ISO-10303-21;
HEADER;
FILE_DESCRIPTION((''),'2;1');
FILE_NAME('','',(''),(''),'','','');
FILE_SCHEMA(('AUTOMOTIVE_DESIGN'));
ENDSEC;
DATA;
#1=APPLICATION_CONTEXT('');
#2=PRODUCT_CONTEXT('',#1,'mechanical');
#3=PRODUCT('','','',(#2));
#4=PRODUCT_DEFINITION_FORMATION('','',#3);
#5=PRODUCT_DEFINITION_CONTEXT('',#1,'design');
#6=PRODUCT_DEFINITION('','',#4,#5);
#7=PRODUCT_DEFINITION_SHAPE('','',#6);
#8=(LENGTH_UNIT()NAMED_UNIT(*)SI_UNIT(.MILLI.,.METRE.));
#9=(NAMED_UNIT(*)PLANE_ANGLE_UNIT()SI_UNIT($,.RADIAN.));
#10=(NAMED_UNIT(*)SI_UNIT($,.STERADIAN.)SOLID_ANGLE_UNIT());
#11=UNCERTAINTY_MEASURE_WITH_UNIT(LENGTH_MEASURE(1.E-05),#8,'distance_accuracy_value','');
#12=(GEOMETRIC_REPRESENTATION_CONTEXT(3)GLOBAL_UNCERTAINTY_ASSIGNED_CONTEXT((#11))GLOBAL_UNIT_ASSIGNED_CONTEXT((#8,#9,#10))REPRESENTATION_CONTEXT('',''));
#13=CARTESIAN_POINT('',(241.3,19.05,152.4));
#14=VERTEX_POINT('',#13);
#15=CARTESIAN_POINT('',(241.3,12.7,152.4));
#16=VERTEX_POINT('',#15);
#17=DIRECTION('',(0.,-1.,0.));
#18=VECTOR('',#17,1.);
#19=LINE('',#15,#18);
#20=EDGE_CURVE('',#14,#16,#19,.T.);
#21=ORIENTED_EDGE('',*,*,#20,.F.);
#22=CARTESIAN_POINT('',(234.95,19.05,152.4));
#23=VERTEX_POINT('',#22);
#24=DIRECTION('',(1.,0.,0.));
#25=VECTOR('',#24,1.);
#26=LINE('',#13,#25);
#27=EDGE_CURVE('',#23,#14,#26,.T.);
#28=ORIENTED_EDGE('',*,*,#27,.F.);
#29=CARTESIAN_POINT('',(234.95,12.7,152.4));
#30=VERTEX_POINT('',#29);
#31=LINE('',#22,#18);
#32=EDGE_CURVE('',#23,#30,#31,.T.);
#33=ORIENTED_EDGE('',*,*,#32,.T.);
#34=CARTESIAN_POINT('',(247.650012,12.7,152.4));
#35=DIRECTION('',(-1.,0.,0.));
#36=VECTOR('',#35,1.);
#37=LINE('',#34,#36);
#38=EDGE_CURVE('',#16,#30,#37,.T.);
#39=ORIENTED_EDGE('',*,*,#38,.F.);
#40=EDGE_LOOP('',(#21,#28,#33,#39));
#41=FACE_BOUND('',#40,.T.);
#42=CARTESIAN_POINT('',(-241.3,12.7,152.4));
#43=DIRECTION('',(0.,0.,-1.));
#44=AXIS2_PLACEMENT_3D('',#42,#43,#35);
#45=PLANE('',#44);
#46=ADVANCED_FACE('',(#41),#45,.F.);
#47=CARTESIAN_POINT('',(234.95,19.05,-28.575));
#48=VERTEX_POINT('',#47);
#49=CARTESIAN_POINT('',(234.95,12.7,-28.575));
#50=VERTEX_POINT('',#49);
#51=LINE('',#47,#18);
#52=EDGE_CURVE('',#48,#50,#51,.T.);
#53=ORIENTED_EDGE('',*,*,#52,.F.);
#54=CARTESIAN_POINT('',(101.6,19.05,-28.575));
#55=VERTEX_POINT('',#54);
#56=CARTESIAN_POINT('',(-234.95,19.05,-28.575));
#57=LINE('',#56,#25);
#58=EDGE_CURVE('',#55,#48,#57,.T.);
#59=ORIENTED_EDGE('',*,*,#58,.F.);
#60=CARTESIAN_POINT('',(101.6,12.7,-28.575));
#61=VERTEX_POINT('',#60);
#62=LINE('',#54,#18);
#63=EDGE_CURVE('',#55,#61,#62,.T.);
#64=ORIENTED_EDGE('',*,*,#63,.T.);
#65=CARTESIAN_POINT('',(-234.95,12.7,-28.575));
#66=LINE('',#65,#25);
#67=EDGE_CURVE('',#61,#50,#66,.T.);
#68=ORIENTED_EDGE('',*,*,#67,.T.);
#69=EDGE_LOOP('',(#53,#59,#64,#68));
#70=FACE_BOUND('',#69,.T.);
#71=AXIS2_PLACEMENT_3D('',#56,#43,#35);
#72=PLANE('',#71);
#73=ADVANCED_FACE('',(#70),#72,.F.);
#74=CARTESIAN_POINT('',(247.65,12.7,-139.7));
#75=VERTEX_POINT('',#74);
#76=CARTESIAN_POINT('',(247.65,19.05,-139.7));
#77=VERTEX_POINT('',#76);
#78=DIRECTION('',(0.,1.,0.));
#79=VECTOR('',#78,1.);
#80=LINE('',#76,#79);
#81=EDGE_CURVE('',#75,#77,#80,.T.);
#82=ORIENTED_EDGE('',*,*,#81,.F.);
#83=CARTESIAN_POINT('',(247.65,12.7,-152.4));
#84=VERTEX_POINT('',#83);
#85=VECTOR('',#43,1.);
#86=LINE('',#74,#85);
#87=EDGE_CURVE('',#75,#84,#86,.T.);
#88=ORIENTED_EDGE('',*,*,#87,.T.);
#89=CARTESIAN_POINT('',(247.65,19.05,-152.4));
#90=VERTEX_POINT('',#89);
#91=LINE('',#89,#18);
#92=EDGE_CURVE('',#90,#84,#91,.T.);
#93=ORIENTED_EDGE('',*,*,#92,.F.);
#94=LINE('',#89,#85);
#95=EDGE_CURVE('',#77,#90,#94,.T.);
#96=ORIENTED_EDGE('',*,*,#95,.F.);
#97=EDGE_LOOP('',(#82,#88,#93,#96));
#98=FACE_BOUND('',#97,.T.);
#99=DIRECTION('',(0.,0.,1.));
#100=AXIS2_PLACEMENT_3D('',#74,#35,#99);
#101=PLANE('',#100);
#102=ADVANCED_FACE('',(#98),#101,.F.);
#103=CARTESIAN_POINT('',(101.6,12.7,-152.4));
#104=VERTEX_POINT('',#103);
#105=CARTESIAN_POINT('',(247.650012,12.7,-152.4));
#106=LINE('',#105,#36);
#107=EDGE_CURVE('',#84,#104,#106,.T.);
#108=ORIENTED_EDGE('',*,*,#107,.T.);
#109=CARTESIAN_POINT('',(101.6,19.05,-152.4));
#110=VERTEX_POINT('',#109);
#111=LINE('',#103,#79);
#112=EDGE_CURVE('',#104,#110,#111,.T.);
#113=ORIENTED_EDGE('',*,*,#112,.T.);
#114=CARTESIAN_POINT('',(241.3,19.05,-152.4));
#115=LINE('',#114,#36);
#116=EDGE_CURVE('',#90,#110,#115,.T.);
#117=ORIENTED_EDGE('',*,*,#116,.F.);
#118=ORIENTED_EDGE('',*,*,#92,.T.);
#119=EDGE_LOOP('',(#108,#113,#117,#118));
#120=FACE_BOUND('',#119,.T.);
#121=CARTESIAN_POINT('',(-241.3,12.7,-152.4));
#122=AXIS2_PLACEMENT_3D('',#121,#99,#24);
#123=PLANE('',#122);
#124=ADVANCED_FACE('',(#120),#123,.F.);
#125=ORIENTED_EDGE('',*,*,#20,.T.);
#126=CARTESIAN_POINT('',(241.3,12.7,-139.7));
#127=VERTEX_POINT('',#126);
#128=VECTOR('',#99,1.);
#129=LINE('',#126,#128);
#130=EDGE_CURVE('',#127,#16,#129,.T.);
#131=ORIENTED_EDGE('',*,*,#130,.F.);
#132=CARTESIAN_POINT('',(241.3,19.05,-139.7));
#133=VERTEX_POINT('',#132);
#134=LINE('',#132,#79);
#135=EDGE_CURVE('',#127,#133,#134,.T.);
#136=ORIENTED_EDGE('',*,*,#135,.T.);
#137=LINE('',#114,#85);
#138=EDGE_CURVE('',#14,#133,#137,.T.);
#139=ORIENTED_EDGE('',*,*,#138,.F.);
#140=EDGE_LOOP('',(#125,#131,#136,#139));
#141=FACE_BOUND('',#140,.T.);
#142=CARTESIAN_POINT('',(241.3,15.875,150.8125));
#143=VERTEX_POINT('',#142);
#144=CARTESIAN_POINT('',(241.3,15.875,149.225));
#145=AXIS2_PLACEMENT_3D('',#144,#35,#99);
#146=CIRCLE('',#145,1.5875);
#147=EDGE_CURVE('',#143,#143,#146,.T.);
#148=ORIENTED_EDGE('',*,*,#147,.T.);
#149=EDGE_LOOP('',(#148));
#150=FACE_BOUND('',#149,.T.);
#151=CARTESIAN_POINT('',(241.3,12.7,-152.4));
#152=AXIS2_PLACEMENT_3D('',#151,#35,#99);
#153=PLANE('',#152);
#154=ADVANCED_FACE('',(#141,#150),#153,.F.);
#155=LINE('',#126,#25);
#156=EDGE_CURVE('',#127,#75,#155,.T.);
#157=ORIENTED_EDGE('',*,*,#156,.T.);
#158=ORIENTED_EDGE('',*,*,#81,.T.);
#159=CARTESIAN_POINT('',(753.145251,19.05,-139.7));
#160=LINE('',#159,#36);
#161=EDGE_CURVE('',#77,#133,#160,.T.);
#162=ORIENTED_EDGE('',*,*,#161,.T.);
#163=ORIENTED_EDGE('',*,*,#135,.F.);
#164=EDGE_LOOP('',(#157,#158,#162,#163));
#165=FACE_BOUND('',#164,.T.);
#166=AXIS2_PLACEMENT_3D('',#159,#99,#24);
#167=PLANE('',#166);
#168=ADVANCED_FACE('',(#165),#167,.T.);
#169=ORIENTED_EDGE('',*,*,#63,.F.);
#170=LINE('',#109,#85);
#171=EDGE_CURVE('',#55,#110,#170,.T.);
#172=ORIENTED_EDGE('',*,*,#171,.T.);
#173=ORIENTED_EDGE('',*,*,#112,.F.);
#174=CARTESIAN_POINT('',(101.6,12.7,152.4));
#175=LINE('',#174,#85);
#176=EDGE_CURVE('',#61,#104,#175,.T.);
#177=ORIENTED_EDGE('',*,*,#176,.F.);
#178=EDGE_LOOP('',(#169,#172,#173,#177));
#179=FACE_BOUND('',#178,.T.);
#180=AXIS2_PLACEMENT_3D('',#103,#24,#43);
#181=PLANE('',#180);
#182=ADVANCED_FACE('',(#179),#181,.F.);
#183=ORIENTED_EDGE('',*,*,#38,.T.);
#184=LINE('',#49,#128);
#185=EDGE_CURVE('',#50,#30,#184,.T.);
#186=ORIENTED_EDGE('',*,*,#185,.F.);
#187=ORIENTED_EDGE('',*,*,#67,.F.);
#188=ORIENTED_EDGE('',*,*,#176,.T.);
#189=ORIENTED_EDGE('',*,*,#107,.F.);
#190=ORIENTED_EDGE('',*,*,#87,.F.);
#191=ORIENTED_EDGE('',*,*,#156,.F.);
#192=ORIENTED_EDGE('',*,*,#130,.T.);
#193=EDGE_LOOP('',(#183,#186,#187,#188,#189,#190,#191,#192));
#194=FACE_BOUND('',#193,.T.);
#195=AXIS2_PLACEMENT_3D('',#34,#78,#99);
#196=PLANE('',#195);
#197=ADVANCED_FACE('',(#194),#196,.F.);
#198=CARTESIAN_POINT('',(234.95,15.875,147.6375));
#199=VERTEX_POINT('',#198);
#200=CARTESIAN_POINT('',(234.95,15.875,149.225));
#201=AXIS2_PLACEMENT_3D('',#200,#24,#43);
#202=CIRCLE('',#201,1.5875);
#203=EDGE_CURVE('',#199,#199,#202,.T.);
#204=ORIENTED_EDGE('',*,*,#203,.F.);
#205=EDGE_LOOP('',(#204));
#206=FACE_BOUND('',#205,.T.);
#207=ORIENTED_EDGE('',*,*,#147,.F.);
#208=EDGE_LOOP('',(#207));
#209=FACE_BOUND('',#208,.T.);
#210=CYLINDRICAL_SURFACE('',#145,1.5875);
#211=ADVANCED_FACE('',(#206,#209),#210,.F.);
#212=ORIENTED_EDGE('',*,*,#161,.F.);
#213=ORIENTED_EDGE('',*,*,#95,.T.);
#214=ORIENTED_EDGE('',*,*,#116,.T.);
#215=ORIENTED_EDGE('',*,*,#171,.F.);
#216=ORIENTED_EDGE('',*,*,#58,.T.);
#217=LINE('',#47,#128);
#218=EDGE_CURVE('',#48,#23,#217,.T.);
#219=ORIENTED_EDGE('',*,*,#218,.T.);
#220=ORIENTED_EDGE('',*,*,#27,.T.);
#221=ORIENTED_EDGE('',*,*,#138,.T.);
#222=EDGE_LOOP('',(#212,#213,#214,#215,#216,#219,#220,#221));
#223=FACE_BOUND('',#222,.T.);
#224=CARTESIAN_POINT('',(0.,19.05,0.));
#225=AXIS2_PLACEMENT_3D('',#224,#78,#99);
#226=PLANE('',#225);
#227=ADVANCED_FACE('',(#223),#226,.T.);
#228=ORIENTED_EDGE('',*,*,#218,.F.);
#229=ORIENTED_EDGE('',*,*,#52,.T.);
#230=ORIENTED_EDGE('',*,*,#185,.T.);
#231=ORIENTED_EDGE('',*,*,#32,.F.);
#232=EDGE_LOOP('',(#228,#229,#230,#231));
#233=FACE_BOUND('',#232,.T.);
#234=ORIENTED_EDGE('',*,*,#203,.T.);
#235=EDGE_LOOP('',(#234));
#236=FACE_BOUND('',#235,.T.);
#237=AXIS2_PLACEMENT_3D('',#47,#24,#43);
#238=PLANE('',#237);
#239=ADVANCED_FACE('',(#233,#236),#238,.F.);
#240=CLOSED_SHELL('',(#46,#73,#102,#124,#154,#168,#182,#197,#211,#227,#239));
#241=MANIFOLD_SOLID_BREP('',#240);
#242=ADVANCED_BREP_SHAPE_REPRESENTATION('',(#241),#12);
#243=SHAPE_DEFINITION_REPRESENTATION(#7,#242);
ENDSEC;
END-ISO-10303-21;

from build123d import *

# Parameters (mm, degrees)
SKETCH1_W               = 482.6
SKETCH1_H               = 304.8
BOSS_EXTRUDE1_DEPTH     = 12.7
BOSS_EXTRUDE2_DEPTH     = 6.35
SKETCH3_R               = 1.5875
CUT_EXTRUDE1_DEPTH      = 507.449822292
SKETCH4_W               = 6.35
SKETCH4_H               = 12.7
BOSS_EXTRUDE3_DEPTH     = 292.1
SKETCH5_W               = 12.7
SKETCH5_H               = 19.05
BOSS_EXTRUDE4_DEPTH     = 6.35
CUT_EXTRUDE2_START      = 6.35
CUT_EXTRUDE2_DEPTH      = 25.4
CUT_EXTRUDE3_START      = -488.95
CUT_EXTRUDE3_DEPTH      = 25.4
BOSS_EXTRUDE5_START     = -2.54
BOSS_EXTRUDE5_DEPTH     = 7.62
CUT_EXTRUDE5_DEPTH      = 582.883177708
CUT_EXTRUDE5_DEPTH_BACK = 582.883177708
SKETCH13_W              = 304.8
SKETCH13_H              = 12.7
SKETCH17_W              = 385.398698987
SKETCH17_H              = 324.595378491
CUT_EXTRUDE8_DEPTH      = 291.854955261


with BuildPart() as part:
    # Sketch1 → Boss-Extrude1 (new body)
    with BuildSketch(Plane(origin=(0, 0, 0), x_dir=(1, 0, 0), z_dir=(0, 1, 0))):
        Rectangle(SKETCH1_W, SKETCH1_H)
    extrude(amount=BOSS_EXTRUDE1_DEPTH)

    # Sketch2 → Boss-Extrude2 (add)
    with BuildSketch(Plane(origin=(0, 12.7, 0), x_dir=(1, 0, 0), z_dir=(0, 1, 0))):
        Polygon((-241.3, 152.4), (-234.95, 152.4), (234.95, 152.4), (241.3, 152.4), (241.3, -152.4), (234.95, -152.4), (234.95, 28.575), (-234.95, 28.575), (-234.95, -152.4), (-241.3, -152.4), align=None)
    extrude(amount=BOSS_EXTRUDE2_DEPTH)

    # Sketch3 → Cut-Extrude1 (cut, through all)
    with BuildSketch(Plane.ZY.offset(241.3)):
        with Locations((149.225, 15.875)):
            Circle(SKETCH3_R)
    extrude(amount=-CUT_EXTRUDE1_DEPTH, mode=Mode.SUBTRACT)

    # Sketch4 → Boss-Extrude3 (add)
    with BuildSketch(Plane.XY.offset(152.4)):
        with Locations((-244.475, 6.35)):
            Rectangle(SKETCH4_W, SKETCH4_H)
    boss_extrude3 = extrude(amount=-BOSS_EXTRUDE3_DEPTH)

    # Sketch5 → Boss-Extrude4 (add)
    with BuildSketch(Plane.ZY.offset(241.3)):
        with Locations((-146.05, 9.525)):
            Rectangle(SKETCH5_W, SKETCH5_H)
    boss_extrude4 = extrude(amount=BOSS_EXTRUDE4_DEPTH)

    # Mirror1: Boss-Extrude3, Boss-Extrude4 across plane
    add(boss_extrude3.mirror(Plane(origin=(0, 0, 0), x_dir=(0, 0, 1), z_dir=(1, 0, 0))))
    add(boss_extrude4.mirror(Plane(origin=(0, 0, 0), x_dir=(0, 0, 1), z_dir=(1, 0, 0))))

    # Sketch6 → Cut-Extrude2 (cut)
    with BuildSketch(Plane.ZY.offset(241.3).offset(CUT_EXTRUDE2_START)):
        with BuildLine():
            Line((147.32, 2.54), (128.27, 2.54))
            ThreePointArc((128.27, 2.54), (124.46, 6.35), (128.27, 10.16))
            Line((128.27, 10.16), (147.32, 10.16))
            ThreePointArc((147.32, 10.16), (151.13, 6.35), (147.32, 2.54))
        make_face()
    extrude(amount=-CUT_EXTRUDE2_DEPTH, mode=Mode.SUBTRACT)

    # Sketch6<2> → Cut-Extrude3 (cut)
    with BuildSketch(Plane.ZY.offset(241.3).offset(CUT_EXTRUDE3_START)):
        with BuildLine():
            Line((147.32, 2.54), (128.27, 2.54))
            ThreePointArc((128.27, 2.54), (124.46, 6.35), (128.27, 10.16))
            Line((128.27, 10.16), (147.32, 10.16))
            ThreePointArc((147.32, 10.16), (151.13, 6.35), (147.32, 2.54))
        make_face()
    extrude(amount=CUT_EXTRUDE3_DEPTH, mode=Mode.SUBTRACT)

    # Sketch11 → Boss-Extrude5 (add)
    with BuildSketch(Plane.XZ.offset(BOSS_EXTRUDE5_START)):
        Polygon((-247.65, 124.46), (-222.25, 124.46), (-222.25, 140.97), align=None)
    boss_extrude5 = extrude(amount=-BOSS_EXTRUDE5_DEPTH)

    # Mirror2: Boss-Extrude5 across plane
    add(boss_extrude5.mirror(Plane(origin=(0, 0, 0), x_dir=(0, 0, 1), z_dir=(1, 0, 0))))

    # Sketch13 → Cut-Extrude5 (cut, two sides: drawn at the far end of the back side and taken through both)
    with BuildSketch(Plane(origin=(247.65, 19.05, -152.4), x_dir=(0, 0, 1), z_dir=(-1, 0, 0)).offset(-CUT_EXTRUDE5_DEPTH_BACK)):
        with Locations((152.4, -12.7)):
            Rectangle(SKETCH13_W, SKETCH13_H)
    extrude(amount=CUT_EXTRUDE5_DEPTH + CUT_EXTRUDE5_DEPTH_BACK, mode=Mode.SUBTRACT)

    # Sketch17 → Cut-Extrude8 (cut, through all)
    with BuildSketch(Plane(origin=(0, 19.05, 0), x_dir=(1, 0, 0), z_dir=(0, 1, 0))):
        with Locations((-91.099349494, -9.897689246)):
            Rectangle(SKETCH17_W, SKETCH17_H)
    extrude(amount=-CUT_EXTRUDE8_DEPTH, mode=Mode.SUBTRACT)


solid = part.part
